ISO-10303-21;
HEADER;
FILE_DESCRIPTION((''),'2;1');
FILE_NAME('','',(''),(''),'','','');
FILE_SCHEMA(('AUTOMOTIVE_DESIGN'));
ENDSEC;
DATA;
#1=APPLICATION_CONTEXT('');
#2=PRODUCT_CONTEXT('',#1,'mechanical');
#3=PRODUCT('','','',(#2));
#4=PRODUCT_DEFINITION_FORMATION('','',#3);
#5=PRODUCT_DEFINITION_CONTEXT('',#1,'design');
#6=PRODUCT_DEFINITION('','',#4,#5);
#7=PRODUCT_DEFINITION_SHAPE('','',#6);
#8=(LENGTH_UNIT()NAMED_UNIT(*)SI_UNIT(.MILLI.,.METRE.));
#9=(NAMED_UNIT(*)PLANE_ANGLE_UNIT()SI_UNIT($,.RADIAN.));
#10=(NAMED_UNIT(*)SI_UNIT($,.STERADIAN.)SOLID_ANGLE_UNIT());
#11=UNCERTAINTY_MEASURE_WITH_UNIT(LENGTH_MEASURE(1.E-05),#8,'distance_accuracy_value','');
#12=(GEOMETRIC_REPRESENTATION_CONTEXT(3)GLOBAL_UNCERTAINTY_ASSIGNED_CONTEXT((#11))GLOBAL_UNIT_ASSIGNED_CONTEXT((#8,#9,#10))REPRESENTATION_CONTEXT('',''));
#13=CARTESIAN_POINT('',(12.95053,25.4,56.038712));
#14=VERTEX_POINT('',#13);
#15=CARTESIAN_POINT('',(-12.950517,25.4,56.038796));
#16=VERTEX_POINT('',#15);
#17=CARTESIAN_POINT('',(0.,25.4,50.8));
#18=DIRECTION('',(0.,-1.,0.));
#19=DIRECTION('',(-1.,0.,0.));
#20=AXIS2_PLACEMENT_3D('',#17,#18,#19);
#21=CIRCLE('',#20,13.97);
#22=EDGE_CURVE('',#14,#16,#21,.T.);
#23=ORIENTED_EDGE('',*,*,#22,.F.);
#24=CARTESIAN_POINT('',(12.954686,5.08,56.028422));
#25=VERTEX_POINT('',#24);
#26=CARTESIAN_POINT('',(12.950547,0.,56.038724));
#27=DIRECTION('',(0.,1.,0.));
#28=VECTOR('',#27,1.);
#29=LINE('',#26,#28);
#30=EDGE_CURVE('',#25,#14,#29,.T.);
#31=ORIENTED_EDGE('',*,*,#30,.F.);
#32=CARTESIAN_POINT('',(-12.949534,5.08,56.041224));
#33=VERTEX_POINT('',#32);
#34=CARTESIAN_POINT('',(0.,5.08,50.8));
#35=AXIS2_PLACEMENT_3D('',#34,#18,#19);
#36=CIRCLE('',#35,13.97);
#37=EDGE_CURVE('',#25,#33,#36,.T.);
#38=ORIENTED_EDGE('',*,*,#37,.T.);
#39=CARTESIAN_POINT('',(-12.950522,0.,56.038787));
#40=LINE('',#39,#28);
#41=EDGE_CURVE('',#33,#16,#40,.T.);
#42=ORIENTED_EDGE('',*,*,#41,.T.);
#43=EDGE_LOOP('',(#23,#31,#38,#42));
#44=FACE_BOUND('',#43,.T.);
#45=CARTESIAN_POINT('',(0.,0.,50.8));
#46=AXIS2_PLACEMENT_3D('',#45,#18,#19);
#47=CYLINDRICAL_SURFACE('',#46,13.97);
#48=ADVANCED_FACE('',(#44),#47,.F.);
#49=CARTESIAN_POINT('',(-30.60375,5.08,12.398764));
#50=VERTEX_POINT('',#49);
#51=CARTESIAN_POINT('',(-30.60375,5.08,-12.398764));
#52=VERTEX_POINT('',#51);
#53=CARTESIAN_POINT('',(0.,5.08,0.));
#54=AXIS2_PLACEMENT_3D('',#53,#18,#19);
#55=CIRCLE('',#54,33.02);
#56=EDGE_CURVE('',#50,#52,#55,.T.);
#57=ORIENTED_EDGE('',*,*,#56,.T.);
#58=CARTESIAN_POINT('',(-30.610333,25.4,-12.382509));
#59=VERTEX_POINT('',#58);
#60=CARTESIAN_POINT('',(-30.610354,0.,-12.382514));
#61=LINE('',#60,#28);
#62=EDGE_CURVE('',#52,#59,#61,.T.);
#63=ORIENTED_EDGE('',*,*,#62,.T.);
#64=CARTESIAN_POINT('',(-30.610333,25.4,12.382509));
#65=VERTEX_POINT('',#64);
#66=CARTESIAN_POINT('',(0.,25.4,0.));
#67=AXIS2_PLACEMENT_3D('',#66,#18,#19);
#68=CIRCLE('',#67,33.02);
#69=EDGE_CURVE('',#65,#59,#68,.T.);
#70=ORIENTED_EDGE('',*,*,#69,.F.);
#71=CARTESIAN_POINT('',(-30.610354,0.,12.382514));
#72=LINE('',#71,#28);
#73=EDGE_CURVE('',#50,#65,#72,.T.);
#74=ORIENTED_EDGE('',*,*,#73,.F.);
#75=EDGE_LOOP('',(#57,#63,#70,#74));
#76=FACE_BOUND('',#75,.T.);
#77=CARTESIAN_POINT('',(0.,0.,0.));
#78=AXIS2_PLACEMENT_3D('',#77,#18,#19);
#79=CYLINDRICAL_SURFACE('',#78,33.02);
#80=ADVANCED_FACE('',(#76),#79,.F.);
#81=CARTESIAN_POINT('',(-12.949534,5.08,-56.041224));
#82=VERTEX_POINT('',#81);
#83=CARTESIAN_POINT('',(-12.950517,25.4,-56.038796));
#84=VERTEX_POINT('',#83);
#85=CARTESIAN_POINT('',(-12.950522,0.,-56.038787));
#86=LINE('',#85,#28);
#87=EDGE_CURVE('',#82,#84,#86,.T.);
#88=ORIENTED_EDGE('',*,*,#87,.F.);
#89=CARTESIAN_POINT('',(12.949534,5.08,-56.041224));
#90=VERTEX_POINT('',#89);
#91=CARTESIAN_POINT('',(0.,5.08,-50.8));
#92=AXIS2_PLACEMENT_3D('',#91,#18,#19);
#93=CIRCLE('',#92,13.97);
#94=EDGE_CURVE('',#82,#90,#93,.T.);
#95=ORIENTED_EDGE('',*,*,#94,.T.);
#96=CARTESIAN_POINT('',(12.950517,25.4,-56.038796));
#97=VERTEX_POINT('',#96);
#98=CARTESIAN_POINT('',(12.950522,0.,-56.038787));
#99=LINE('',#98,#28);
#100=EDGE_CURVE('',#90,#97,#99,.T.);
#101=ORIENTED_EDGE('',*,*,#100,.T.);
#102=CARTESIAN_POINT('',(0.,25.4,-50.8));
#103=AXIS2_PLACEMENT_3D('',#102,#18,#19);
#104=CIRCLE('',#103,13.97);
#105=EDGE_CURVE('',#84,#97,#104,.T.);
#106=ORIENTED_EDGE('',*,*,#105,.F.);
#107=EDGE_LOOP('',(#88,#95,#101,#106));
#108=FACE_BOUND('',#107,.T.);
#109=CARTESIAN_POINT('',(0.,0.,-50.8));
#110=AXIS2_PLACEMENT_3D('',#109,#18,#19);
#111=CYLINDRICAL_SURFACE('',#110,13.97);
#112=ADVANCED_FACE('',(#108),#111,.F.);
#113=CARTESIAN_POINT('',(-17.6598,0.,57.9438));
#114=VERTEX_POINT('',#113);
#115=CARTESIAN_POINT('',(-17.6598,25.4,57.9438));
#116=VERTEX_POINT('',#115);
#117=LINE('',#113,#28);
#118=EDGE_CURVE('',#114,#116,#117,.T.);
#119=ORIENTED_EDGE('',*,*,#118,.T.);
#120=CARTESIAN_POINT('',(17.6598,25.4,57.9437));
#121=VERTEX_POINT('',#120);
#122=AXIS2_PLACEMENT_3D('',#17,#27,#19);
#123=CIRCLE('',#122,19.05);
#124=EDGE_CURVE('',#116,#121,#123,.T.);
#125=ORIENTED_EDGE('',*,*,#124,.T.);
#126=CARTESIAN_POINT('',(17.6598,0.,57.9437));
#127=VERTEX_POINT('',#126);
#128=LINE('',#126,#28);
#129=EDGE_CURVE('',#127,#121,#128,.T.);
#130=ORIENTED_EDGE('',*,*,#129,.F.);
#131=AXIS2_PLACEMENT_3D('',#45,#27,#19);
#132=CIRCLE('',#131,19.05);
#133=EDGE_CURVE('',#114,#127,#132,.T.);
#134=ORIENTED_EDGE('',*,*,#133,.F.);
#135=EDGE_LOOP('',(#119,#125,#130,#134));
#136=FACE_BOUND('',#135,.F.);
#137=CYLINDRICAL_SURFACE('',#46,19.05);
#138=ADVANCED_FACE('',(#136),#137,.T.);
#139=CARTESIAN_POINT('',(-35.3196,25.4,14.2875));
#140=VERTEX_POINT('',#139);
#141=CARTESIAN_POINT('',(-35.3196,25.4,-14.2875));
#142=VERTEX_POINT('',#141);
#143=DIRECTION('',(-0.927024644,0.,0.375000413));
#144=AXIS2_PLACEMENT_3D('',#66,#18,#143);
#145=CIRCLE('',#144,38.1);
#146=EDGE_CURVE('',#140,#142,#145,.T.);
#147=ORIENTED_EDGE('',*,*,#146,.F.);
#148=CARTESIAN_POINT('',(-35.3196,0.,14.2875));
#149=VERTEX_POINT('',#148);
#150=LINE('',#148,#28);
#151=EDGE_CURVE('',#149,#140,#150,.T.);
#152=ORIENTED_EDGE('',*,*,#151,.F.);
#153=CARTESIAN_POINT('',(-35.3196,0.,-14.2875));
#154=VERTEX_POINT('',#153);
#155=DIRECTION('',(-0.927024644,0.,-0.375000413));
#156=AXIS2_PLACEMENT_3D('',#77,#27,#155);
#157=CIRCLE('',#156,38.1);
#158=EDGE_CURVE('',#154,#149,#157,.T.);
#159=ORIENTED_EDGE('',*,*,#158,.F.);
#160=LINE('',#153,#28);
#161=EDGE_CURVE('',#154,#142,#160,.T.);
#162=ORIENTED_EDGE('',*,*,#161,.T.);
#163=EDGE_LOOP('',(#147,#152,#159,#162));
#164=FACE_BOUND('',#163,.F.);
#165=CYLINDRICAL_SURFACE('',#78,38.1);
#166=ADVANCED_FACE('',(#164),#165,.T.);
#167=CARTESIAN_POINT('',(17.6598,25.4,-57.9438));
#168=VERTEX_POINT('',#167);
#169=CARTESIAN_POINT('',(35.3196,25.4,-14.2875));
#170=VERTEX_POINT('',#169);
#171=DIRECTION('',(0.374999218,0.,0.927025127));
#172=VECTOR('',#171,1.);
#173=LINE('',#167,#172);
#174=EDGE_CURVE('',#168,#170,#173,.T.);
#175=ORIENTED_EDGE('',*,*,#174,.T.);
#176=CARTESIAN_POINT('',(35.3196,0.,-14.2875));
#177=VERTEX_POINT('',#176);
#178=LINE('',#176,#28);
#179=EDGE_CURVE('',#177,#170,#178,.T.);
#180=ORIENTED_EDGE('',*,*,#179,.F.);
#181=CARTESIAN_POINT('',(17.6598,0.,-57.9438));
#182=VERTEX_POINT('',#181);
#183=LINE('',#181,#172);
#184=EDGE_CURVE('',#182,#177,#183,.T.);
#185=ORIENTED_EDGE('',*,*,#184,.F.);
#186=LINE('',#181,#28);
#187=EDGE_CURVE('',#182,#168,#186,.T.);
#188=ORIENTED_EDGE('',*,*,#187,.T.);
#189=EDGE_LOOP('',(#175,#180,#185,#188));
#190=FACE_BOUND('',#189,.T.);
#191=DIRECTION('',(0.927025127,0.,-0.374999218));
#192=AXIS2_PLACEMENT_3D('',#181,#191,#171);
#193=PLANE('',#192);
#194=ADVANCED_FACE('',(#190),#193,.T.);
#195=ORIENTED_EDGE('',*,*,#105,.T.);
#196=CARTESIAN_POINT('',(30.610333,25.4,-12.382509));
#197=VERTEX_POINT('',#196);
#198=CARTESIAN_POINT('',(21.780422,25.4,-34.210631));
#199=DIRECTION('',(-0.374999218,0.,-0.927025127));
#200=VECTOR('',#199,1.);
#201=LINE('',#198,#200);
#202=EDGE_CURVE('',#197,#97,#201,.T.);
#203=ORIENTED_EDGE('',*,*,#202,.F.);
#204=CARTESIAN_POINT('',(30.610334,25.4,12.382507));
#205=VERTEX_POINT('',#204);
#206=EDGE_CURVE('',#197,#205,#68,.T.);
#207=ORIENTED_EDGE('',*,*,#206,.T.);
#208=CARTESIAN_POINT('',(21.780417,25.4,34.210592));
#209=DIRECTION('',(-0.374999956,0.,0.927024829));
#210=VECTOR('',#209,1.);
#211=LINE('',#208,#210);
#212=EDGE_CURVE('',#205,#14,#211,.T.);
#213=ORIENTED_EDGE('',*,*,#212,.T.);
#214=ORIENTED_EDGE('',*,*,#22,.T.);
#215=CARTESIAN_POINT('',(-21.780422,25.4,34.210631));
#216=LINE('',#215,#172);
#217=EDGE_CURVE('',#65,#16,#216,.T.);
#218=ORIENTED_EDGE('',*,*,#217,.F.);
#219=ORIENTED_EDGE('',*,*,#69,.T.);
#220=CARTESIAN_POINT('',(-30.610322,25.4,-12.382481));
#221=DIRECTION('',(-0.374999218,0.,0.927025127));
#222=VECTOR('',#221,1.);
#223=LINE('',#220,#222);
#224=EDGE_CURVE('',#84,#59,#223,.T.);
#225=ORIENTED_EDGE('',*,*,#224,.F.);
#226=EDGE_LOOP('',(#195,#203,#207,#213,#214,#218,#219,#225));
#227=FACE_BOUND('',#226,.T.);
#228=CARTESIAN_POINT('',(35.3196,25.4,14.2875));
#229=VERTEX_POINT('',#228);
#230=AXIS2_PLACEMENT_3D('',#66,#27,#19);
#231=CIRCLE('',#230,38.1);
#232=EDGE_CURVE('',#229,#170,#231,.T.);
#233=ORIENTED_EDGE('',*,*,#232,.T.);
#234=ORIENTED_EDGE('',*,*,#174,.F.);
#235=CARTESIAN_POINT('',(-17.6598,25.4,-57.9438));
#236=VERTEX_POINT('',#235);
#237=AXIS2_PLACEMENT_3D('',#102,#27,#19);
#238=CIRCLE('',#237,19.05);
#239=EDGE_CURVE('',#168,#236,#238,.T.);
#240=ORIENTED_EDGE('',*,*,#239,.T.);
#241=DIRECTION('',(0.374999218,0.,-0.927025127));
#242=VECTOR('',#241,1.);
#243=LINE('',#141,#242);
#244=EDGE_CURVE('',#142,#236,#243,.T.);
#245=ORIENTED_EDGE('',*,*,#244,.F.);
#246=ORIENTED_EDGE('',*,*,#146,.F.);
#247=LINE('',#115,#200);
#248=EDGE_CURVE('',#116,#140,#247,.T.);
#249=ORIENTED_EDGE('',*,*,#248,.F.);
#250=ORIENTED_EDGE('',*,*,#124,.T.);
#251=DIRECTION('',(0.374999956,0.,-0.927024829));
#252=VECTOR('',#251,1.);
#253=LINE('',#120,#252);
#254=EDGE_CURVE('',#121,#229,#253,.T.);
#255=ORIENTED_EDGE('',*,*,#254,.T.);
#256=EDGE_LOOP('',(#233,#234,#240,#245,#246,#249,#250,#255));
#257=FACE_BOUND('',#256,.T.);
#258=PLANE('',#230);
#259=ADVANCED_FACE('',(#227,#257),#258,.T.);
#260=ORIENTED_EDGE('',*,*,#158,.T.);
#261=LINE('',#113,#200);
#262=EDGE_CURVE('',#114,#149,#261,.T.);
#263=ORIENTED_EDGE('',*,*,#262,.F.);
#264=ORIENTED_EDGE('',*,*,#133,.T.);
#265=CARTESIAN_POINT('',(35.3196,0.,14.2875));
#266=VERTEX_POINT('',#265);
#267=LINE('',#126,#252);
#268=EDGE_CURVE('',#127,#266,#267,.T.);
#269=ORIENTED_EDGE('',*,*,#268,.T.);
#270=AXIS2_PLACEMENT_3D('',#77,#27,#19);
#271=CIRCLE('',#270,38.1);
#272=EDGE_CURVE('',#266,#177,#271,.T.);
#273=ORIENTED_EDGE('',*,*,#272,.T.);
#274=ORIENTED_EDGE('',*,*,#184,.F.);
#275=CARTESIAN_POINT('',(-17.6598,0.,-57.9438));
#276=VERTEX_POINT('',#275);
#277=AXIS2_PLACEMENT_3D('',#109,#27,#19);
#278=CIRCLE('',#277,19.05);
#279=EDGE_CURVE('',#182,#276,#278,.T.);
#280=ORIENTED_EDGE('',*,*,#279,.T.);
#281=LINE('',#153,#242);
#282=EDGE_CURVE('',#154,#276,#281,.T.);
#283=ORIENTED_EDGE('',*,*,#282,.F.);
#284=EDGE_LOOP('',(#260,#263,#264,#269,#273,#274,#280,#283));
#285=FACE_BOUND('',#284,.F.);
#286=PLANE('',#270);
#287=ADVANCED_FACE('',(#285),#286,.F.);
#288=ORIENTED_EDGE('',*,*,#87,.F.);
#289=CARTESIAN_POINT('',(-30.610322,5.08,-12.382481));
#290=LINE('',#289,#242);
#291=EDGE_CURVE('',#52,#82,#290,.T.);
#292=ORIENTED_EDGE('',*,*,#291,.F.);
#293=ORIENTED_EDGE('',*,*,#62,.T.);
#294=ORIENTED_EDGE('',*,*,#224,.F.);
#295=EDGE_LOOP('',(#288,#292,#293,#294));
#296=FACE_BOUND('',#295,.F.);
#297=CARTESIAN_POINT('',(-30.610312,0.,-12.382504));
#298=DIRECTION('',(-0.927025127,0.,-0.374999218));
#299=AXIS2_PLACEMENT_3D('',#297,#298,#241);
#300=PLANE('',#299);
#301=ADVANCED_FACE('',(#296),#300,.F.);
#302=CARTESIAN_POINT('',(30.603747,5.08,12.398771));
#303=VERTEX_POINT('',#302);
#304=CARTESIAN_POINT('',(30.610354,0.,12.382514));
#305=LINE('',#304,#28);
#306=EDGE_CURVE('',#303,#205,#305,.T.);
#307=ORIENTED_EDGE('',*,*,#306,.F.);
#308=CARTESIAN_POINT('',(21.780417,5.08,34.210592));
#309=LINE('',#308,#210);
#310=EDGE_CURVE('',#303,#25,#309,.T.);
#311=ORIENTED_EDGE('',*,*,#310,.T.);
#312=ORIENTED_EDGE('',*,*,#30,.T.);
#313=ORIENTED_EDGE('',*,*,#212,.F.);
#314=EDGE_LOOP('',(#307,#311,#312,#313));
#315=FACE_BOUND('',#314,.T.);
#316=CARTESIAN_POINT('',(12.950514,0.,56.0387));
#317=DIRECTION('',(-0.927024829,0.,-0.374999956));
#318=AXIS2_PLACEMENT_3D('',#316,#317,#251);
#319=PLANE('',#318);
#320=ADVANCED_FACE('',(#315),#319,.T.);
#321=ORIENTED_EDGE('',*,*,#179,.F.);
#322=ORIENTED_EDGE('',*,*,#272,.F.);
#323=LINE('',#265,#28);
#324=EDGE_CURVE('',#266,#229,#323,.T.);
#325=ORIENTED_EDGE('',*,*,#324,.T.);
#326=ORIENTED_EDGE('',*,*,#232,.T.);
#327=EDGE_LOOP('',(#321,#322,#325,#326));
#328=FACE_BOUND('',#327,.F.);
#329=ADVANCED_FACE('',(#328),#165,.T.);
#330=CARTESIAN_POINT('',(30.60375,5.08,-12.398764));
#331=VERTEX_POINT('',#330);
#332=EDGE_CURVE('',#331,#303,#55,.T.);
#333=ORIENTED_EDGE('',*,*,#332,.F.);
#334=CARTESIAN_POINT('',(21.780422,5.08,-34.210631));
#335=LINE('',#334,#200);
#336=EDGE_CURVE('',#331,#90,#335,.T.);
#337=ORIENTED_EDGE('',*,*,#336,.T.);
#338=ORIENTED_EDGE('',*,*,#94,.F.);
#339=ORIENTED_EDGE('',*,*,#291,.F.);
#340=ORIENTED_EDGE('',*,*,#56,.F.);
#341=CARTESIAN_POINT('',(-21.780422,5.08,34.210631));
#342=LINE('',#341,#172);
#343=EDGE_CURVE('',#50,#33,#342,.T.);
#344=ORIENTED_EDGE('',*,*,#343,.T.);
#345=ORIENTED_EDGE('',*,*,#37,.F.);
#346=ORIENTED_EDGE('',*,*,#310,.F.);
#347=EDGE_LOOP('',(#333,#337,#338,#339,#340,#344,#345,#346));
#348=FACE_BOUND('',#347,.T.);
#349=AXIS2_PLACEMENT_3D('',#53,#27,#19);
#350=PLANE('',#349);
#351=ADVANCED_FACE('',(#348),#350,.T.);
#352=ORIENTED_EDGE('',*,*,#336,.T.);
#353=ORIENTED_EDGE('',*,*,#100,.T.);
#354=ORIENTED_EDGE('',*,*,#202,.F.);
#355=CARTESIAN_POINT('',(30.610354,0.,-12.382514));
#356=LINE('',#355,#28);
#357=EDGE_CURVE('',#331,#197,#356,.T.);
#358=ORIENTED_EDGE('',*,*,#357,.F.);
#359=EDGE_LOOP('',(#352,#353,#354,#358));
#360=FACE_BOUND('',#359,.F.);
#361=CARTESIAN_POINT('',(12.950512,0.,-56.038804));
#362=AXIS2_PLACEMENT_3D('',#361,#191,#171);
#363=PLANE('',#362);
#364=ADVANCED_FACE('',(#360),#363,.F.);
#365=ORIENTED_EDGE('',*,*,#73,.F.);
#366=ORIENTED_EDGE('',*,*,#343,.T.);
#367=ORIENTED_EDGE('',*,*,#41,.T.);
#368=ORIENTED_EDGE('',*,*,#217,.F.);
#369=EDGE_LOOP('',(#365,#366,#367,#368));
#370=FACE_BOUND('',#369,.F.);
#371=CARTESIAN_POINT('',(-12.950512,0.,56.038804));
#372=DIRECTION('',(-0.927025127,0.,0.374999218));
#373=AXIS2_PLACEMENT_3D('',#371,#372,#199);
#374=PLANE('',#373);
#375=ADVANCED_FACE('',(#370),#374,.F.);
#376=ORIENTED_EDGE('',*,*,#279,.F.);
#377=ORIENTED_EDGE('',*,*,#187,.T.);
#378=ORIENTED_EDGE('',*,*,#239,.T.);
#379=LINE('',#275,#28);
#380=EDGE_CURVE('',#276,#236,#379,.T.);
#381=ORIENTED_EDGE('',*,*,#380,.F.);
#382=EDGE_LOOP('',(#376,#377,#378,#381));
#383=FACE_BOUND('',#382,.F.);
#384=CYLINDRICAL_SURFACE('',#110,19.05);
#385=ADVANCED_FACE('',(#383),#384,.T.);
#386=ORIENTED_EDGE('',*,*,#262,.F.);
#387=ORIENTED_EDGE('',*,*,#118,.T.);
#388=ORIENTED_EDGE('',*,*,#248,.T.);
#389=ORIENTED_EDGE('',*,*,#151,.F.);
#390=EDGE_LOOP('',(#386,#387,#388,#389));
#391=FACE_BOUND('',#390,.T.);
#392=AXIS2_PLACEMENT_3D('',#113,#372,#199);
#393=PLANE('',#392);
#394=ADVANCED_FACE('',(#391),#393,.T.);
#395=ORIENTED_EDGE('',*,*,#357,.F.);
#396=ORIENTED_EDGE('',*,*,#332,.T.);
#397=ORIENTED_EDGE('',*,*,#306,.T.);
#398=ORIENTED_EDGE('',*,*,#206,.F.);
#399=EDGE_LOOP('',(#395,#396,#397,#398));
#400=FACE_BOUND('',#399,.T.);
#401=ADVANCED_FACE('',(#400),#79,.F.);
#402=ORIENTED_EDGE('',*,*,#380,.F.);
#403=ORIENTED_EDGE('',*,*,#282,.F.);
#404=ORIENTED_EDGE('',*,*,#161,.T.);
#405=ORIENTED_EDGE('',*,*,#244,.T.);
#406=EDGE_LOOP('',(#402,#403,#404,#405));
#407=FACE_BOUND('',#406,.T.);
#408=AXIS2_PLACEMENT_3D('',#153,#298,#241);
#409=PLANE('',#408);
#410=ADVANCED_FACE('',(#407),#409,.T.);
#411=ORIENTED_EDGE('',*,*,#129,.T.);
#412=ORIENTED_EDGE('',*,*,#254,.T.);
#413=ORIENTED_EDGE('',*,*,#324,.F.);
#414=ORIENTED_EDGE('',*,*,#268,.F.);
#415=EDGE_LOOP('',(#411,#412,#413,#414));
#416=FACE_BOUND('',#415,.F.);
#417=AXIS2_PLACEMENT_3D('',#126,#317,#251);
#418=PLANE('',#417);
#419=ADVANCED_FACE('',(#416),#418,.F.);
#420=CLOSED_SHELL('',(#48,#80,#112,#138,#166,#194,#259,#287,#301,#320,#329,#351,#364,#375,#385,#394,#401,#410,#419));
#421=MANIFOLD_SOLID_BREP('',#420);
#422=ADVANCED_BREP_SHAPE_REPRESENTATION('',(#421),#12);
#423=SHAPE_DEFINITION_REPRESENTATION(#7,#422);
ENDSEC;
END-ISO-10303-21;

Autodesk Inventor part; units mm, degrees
ref_plane "YZ Plane" through (0, 0, 0) normal (1, 0, 0) x (0, 1, 0)
ref_plane "XZ Plane" through (0, 0, 0) normal (0, 1, 0) x (-1, 0, 0)
ref_plane "XY Plane" through (0, 0, 0) normal (0, 0, 1) x (1, 0, 0)
sketch "Sketch3" plane through (0, 0, 0) normal (0, 1, 0) x (-1, 0, 0)
  circle A0 centre (0, 0) radius 38.1
  circle A1 centre (0, -50.8) radius 19.05
  circle A2 centre (0, 50.8) radius 19.05
  line L0 (17.6598, 57.9438) -> (35.3196, 14.2875)
  line L1 (35.3196, -14.2875) -> (17.6598, -57.9438)
  line L2 (-17.6598, -57.9438) -> (-35.3196, -14.2875)
  line L3 (-17.6598, 57.9437) -> (-35.3196, 14.2875)
  dimension "d22" = 76.2
  dimension "d23" = 38.1
  dimension "d24" = 38.1
  dimension "d25" = 50.8
  dimension "d26" = 50.8
extrude "Extrusion2" add sketch "Sketch3" along normal blind 25.4
shell "Shell3" thickness 5.08 removed faces 1 at (-5.8866, 25.4, -28.8396)
properties part number "Diamond-Box"
